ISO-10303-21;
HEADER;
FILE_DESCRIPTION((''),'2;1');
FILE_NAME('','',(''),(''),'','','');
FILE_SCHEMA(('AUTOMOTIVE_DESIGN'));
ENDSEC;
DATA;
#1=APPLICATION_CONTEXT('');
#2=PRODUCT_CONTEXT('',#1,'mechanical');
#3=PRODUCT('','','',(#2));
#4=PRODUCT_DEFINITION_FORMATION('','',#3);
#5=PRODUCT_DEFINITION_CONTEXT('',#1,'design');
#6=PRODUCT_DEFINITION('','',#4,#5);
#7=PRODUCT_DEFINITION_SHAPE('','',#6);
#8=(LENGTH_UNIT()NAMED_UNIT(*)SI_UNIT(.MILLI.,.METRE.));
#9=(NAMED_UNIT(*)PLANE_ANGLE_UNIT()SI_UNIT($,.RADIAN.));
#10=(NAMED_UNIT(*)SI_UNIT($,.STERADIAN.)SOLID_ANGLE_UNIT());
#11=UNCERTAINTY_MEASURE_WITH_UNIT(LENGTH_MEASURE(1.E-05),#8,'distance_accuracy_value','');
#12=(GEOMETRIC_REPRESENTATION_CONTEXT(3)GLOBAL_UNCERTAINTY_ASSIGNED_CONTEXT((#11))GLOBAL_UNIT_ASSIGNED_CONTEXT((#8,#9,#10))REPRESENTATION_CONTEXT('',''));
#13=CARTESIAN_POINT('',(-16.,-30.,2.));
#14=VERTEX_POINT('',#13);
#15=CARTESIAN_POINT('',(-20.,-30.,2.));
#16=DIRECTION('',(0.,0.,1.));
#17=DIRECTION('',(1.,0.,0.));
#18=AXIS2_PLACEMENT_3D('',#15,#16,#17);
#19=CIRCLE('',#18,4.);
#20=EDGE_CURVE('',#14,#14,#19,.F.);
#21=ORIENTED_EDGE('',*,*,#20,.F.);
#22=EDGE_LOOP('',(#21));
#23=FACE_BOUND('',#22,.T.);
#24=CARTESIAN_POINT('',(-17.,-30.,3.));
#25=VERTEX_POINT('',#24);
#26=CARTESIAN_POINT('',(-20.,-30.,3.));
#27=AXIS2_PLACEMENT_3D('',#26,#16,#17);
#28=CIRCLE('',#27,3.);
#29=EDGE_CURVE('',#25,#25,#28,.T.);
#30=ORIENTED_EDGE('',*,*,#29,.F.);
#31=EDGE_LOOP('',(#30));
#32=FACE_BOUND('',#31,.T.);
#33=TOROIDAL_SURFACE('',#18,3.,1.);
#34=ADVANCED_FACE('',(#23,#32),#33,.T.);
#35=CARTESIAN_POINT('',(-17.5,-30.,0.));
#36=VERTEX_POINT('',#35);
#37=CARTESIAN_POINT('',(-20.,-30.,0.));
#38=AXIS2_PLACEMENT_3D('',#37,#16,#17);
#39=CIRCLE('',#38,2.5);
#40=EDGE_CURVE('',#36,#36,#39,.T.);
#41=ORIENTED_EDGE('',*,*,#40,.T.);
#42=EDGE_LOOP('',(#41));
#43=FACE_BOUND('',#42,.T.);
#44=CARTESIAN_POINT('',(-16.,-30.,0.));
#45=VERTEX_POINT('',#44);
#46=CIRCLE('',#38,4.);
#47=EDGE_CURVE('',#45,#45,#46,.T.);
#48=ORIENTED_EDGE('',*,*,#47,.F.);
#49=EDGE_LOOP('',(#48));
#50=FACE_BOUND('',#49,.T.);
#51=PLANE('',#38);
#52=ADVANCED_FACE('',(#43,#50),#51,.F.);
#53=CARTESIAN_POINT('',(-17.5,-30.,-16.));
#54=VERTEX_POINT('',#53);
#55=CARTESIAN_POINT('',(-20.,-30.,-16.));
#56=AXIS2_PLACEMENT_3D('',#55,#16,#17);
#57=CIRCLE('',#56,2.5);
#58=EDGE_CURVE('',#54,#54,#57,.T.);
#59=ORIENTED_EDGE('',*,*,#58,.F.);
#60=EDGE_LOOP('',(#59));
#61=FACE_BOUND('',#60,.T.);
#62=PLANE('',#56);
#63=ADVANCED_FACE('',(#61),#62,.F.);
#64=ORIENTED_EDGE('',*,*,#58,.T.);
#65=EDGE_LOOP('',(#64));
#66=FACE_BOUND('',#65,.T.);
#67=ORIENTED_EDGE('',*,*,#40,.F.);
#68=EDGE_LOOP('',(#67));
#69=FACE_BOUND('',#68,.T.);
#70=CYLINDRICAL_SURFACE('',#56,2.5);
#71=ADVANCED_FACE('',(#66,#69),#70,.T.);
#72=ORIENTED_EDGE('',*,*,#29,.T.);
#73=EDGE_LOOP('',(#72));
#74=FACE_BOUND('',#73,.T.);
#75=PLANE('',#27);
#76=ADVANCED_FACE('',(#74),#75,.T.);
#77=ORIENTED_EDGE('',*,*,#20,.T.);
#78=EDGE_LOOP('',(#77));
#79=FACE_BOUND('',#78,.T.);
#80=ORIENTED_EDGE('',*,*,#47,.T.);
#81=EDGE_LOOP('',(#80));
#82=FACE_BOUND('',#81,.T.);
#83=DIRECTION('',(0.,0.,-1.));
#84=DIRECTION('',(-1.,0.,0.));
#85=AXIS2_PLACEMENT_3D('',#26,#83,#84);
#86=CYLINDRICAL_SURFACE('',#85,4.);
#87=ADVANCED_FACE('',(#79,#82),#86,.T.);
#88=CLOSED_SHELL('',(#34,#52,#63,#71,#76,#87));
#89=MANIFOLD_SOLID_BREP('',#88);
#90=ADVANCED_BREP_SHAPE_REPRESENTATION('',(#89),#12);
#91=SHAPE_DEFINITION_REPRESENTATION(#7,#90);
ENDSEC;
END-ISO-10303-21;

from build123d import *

# Parameters (mm, degrees)
SKETCH1_R           = 2.5
BOSS_EXTRUDE1_DEPTH = 16
SKETCH2_R           = 4
BOSS_EXTRUDE2_DEPTH = 3
FILLET1_R           = 1


with BuildPart() as part:
    # Sketch1 → Boss-Extrude1 (new body)
    with BuildSketch(Plane.XY):
        with Locations((-20, -30)):
            Circle(SKETCH1_R)
    extrude(amount=-BOSS_EXTRUDE1_DEPTH)

    # Sketch2 → Boss-Extrude2 (add)
    with BuildSketch(Plane.XY):
        with Locations((-20, -30)):
            Circle(SKETCH2_R)
    extrude(amount=BOSS_EXTRUDE2_DEPTH)

    # Fillet1
    fillet1_edges = [part.edges().sort_by_distance(p)[0] for p in [
        (-24, -30, 3),
    ]]
    fillet(fillet1_edges, radius=FILLET1_R)


solid = part.part
